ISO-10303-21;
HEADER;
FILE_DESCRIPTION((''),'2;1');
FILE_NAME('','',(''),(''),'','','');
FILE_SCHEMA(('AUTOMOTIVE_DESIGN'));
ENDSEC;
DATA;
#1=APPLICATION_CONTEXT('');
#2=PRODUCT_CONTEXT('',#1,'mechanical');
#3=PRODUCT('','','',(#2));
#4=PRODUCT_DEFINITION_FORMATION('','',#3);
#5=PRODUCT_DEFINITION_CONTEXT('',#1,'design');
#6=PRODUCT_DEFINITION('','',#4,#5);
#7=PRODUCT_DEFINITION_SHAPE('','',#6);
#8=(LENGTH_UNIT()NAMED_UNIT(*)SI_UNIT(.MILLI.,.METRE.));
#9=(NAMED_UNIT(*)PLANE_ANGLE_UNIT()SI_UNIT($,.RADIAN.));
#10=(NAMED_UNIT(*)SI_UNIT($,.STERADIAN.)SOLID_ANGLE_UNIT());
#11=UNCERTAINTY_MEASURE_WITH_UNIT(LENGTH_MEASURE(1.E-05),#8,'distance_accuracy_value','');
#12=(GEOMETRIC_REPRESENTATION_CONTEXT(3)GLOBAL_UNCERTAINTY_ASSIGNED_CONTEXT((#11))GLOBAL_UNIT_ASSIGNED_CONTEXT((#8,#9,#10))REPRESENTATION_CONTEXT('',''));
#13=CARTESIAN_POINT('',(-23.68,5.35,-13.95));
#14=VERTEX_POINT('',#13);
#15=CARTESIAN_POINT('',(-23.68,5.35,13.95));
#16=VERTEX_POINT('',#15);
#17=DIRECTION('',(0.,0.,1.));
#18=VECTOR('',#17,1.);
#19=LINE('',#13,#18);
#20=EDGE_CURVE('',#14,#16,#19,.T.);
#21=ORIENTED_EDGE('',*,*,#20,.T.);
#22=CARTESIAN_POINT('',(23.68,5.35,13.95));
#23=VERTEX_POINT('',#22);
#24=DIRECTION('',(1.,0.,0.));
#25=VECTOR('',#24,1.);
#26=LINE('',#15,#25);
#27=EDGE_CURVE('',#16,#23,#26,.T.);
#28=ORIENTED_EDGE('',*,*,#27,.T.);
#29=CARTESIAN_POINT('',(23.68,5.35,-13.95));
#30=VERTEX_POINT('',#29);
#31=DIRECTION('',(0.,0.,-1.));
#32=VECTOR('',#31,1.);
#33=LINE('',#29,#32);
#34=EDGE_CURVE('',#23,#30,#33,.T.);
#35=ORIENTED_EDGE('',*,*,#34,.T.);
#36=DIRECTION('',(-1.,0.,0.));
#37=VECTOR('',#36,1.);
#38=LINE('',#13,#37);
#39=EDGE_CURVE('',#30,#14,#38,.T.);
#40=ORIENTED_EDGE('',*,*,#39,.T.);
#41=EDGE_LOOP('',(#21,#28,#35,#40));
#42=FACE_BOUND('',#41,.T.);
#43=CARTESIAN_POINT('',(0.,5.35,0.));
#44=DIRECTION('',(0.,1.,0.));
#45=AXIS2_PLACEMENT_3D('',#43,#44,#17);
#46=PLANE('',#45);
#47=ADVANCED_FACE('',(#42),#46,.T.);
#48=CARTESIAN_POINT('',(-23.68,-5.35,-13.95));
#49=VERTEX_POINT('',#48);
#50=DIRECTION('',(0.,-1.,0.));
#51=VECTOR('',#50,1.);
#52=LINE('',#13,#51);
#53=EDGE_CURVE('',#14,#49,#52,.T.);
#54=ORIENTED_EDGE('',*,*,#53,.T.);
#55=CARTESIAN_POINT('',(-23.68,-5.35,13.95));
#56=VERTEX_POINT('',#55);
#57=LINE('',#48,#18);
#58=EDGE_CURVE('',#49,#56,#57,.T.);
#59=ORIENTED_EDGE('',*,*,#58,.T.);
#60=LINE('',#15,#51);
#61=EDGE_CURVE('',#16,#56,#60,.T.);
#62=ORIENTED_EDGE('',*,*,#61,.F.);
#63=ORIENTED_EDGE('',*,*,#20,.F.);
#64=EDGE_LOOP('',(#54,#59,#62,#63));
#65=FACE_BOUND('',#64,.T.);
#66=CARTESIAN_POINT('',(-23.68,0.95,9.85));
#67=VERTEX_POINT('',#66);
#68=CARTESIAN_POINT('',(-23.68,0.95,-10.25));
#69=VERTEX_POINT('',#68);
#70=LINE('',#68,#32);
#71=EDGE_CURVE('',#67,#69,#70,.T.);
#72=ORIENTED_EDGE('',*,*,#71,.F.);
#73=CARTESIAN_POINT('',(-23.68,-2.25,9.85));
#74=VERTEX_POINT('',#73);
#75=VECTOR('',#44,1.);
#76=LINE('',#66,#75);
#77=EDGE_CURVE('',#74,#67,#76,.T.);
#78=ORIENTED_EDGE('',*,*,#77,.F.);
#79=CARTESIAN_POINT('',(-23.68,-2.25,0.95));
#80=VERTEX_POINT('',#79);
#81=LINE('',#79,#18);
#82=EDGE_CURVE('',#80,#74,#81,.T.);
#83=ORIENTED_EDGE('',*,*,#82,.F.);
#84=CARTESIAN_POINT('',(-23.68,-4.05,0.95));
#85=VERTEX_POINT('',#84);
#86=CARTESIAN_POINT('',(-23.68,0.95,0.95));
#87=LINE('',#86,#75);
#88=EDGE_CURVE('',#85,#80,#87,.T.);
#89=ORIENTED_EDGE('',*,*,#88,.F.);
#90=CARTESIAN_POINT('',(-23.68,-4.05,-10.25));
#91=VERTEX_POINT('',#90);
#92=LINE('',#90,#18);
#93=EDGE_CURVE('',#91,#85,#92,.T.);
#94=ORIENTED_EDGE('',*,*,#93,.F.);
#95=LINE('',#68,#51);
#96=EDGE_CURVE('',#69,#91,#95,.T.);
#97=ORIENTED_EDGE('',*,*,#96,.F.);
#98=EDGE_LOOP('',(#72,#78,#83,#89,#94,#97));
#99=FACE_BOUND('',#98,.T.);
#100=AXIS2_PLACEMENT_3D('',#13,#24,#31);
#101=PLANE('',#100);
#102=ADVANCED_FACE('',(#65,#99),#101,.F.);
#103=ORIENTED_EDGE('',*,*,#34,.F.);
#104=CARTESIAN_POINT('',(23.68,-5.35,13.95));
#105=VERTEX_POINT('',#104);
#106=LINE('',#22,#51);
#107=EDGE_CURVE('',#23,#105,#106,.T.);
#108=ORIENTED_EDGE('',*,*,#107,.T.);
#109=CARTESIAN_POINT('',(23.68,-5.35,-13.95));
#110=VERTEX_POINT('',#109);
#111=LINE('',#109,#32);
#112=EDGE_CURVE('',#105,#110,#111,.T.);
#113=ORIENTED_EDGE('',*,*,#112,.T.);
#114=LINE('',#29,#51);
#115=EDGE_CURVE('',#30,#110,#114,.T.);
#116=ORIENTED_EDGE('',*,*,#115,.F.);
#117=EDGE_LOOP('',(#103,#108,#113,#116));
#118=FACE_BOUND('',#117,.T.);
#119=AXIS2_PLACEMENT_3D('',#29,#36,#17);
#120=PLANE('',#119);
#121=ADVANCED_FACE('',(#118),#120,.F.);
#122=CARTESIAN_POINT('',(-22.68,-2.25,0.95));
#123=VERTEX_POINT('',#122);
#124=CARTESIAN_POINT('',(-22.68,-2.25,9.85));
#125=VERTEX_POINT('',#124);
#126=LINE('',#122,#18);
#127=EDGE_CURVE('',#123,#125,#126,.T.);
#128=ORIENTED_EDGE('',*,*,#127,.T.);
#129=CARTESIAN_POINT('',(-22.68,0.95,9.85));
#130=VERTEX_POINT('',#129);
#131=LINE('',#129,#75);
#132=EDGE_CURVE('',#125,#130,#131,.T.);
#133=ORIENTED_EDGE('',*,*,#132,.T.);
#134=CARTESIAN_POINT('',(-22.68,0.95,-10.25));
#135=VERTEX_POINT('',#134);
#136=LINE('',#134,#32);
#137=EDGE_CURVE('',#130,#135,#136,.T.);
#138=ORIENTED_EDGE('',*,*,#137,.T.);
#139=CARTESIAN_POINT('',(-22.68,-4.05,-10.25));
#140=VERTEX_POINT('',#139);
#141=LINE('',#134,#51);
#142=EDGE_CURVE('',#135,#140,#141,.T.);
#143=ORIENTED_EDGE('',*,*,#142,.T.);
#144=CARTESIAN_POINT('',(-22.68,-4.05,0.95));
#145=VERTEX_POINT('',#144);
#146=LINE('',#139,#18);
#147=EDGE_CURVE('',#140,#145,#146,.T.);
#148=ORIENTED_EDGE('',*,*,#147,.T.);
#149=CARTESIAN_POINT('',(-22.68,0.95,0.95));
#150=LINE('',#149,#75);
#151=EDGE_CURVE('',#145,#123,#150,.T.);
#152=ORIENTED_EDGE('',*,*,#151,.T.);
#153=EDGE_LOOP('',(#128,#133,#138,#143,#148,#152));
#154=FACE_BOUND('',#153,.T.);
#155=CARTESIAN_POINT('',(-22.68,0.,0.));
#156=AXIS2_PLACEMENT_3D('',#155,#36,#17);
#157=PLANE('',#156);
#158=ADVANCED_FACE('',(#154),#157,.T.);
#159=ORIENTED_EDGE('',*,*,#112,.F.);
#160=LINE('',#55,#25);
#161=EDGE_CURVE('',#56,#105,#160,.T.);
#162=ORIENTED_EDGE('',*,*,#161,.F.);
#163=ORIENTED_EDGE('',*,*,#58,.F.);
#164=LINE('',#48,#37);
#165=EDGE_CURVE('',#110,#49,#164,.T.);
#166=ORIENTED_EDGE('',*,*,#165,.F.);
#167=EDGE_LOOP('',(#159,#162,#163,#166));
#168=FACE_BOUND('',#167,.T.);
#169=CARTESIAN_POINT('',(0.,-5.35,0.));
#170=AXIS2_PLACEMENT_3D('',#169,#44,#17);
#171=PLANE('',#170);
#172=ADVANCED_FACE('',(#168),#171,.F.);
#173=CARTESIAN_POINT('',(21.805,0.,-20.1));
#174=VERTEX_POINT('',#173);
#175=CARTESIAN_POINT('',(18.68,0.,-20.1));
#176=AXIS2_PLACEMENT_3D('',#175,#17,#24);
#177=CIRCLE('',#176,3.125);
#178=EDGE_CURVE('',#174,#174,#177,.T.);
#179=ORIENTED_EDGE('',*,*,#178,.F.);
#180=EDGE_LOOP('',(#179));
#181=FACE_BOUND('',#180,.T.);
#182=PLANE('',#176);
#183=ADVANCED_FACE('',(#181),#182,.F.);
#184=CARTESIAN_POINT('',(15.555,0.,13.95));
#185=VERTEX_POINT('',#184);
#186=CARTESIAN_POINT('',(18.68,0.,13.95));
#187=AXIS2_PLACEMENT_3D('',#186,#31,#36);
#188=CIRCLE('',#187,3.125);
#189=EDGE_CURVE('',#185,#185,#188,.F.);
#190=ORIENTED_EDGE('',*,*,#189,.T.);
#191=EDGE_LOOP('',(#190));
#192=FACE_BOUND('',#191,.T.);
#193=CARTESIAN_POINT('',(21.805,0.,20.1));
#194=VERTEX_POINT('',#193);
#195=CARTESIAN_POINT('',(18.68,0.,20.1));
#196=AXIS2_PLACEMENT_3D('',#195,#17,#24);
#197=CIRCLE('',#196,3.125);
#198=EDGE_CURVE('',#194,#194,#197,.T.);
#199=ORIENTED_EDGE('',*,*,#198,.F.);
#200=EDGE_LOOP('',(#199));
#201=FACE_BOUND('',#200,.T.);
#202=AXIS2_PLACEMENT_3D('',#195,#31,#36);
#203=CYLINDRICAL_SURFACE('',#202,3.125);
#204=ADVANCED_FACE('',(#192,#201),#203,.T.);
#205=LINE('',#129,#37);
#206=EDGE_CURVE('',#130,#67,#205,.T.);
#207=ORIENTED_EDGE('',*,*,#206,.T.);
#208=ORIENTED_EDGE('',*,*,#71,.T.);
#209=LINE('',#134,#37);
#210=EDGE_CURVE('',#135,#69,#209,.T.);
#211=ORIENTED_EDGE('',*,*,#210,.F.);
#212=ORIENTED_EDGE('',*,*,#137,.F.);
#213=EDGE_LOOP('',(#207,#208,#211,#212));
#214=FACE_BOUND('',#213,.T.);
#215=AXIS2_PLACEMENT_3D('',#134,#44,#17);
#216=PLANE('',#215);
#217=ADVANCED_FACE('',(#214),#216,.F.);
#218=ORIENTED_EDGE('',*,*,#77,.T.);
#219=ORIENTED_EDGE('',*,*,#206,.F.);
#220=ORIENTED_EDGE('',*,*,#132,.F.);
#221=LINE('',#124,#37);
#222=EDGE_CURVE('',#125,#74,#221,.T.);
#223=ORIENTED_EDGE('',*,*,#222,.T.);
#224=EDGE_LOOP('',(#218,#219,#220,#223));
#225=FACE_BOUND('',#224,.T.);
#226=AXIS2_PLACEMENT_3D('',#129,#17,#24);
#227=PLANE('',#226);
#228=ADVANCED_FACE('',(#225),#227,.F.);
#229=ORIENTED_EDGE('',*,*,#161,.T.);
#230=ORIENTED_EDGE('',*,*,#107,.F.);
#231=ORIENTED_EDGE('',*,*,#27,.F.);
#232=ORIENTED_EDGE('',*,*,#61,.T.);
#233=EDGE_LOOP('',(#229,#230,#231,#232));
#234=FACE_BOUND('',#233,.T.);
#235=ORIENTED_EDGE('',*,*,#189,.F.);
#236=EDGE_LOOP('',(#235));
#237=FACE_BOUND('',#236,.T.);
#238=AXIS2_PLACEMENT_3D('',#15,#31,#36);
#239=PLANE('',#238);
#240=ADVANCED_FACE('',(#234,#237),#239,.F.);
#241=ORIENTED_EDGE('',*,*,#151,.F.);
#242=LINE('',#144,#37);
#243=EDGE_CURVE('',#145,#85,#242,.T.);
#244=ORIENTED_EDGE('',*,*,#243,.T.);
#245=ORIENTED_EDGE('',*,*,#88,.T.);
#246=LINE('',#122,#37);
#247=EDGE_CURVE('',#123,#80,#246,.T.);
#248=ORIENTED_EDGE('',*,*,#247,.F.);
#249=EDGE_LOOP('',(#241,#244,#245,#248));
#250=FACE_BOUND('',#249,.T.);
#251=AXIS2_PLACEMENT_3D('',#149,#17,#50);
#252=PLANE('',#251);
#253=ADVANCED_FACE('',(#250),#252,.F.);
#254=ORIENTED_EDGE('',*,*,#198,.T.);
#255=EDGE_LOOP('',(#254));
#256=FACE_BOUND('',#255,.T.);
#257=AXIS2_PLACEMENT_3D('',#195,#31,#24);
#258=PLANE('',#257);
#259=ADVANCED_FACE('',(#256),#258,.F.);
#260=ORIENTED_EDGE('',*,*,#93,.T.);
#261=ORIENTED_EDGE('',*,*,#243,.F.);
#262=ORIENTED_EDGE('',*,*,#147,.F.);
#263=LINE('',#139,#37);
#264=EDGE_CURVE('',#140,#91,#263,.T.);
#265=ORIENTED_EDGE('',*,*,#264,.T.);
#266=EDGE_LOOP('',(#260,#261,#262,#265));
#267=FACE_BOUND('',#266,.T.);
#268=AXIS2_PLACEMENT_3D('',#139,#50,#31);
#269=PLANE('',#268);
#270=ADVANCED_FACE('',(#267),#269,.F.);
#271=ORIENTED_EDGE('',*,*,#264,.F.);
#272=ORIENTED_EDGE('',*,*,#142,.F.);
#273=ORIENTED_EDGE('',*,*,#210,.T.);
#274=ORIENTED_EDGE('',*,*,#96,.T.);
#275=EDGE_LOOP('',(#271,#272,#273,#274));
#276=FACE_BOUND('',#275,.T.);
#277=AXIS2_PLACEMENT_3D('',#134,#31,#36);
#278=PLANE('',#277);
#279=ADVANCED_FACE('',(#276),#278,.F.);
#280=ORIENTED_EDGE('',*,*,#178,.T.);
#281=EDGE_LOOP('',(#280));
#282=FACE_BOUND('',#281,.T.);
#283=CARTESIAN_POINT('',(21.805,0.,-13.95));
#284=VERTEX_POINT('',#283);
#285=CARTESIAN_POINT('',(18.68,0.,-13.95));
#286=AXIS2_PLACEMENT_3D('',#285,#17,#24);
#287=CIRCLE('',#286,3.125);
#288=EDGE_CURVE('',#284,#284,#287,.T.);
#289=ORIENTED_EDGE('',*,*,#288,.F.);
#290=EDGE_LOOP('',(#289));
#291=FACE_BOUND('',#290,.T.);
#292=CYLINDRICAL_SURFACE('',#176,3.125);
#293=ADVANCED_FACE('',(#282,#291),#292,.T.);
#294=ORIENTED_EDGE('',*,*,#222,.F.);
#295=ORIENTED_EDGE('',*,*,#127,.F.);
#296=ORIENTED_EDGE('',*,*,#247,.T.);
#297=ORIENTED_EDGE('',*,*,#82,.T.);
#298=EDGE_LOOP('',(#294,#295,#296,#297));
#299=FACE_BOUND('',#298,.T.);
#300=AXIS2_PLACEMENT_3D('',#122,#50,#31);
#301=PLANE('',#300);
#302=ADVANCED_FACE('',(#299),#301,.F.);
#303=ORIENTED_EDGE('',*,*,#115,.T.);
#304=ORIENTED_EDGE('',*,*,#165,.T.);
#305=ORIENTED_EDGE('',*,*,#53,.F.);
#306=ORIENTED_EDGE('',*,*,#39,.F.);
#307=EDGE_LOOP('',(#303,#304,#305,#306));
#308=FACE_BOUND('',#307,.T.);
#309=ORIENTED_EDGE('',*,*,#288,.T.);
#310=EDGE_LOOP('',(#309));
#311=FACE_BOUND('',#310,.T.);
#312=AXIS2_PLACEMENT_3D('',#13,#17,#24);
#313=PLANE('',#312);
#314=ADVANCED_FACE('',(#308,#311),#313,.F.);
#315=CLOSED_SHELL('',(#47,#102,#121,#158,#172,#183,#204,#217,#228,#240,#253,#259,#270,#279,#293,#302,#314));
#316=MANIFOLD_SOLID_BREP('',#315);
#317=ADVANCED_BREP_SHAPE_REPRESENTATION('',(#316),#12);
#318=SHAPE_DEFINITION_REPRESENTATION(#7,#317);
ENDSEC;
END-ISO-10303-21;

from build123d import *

# Parameters (mm, degrees)
SKETCH1_W           = 47.36
SKETCH1_H           = 27.9
BOSS_EXTRUDE1_DEPTH = 5.35
SKETCH2_R           = 3.125
BOSS_EXTRUDE2_DEPTH = 6.15
SKETCH3_W           = 11.2
SKETCH3_H           = 5
CUT_EXTRUDE1_DEPTH  = 1
SKETCH5_W           = 8.9
SKETCH5_H           = 3.2
CUT_EXTRUDE2_DEPTH  = 1


with BuildPart() as part:
    # Sketch1 → Boss-Extrude1 (new, symmetric)
    with BuildSketch(Plane(origin=(0, 0, 0), x_dir=(1, 0, 0), z_dir=(0, 1, 0))):
        Rectangle(SKETCH1_W, SKETCH1_H)
    extrude(amount=BOSS_EXTRUDE1_DEPTH, both=True)

    # Sketch2 → Boss-Extrude2 (add)
    with BuildSketch(Plane(origin=(9.73, 0, -13.95), x_dir=(1, 0, 0), z_dir=(0, 0, 1))):
        with Locations((8.95, 0)):
            Circle(SKETCH2_R)
    boss_extrude2 = extrude(amount=-BOSS_EXTRUDE2_DEPTH)

    # Lustro1: Boss-Extrude2 across plane
    add(boss_extrude2.mirror(Plane.XY))

    # Sketch3 → Cut-Extrude1 (cut)
    with BuildSketch(Plane.ZY.offset(23.68)):
        with Locations((-4.65, -1.55)):
            Rectangle(SKETCH3_W, SKETCH3_H)
    extrude(amount=-CUT_EXTRUDE1_DEPTH, mode=Mode.SUBTRACT)

    # Sketch5 → Cut-Extrude2 (cut)
    with BuildSketch(Plane.ZY.offset(23.68)):
        with Locations((5.4, -0.65)):
            Rectangle(SKETCH5_W, SKETCH5_H)
    extrude(amount=-CUT_EXTRUDE2_DEPTH, mode=Mode.SUBTRACT)


solid = part.part
